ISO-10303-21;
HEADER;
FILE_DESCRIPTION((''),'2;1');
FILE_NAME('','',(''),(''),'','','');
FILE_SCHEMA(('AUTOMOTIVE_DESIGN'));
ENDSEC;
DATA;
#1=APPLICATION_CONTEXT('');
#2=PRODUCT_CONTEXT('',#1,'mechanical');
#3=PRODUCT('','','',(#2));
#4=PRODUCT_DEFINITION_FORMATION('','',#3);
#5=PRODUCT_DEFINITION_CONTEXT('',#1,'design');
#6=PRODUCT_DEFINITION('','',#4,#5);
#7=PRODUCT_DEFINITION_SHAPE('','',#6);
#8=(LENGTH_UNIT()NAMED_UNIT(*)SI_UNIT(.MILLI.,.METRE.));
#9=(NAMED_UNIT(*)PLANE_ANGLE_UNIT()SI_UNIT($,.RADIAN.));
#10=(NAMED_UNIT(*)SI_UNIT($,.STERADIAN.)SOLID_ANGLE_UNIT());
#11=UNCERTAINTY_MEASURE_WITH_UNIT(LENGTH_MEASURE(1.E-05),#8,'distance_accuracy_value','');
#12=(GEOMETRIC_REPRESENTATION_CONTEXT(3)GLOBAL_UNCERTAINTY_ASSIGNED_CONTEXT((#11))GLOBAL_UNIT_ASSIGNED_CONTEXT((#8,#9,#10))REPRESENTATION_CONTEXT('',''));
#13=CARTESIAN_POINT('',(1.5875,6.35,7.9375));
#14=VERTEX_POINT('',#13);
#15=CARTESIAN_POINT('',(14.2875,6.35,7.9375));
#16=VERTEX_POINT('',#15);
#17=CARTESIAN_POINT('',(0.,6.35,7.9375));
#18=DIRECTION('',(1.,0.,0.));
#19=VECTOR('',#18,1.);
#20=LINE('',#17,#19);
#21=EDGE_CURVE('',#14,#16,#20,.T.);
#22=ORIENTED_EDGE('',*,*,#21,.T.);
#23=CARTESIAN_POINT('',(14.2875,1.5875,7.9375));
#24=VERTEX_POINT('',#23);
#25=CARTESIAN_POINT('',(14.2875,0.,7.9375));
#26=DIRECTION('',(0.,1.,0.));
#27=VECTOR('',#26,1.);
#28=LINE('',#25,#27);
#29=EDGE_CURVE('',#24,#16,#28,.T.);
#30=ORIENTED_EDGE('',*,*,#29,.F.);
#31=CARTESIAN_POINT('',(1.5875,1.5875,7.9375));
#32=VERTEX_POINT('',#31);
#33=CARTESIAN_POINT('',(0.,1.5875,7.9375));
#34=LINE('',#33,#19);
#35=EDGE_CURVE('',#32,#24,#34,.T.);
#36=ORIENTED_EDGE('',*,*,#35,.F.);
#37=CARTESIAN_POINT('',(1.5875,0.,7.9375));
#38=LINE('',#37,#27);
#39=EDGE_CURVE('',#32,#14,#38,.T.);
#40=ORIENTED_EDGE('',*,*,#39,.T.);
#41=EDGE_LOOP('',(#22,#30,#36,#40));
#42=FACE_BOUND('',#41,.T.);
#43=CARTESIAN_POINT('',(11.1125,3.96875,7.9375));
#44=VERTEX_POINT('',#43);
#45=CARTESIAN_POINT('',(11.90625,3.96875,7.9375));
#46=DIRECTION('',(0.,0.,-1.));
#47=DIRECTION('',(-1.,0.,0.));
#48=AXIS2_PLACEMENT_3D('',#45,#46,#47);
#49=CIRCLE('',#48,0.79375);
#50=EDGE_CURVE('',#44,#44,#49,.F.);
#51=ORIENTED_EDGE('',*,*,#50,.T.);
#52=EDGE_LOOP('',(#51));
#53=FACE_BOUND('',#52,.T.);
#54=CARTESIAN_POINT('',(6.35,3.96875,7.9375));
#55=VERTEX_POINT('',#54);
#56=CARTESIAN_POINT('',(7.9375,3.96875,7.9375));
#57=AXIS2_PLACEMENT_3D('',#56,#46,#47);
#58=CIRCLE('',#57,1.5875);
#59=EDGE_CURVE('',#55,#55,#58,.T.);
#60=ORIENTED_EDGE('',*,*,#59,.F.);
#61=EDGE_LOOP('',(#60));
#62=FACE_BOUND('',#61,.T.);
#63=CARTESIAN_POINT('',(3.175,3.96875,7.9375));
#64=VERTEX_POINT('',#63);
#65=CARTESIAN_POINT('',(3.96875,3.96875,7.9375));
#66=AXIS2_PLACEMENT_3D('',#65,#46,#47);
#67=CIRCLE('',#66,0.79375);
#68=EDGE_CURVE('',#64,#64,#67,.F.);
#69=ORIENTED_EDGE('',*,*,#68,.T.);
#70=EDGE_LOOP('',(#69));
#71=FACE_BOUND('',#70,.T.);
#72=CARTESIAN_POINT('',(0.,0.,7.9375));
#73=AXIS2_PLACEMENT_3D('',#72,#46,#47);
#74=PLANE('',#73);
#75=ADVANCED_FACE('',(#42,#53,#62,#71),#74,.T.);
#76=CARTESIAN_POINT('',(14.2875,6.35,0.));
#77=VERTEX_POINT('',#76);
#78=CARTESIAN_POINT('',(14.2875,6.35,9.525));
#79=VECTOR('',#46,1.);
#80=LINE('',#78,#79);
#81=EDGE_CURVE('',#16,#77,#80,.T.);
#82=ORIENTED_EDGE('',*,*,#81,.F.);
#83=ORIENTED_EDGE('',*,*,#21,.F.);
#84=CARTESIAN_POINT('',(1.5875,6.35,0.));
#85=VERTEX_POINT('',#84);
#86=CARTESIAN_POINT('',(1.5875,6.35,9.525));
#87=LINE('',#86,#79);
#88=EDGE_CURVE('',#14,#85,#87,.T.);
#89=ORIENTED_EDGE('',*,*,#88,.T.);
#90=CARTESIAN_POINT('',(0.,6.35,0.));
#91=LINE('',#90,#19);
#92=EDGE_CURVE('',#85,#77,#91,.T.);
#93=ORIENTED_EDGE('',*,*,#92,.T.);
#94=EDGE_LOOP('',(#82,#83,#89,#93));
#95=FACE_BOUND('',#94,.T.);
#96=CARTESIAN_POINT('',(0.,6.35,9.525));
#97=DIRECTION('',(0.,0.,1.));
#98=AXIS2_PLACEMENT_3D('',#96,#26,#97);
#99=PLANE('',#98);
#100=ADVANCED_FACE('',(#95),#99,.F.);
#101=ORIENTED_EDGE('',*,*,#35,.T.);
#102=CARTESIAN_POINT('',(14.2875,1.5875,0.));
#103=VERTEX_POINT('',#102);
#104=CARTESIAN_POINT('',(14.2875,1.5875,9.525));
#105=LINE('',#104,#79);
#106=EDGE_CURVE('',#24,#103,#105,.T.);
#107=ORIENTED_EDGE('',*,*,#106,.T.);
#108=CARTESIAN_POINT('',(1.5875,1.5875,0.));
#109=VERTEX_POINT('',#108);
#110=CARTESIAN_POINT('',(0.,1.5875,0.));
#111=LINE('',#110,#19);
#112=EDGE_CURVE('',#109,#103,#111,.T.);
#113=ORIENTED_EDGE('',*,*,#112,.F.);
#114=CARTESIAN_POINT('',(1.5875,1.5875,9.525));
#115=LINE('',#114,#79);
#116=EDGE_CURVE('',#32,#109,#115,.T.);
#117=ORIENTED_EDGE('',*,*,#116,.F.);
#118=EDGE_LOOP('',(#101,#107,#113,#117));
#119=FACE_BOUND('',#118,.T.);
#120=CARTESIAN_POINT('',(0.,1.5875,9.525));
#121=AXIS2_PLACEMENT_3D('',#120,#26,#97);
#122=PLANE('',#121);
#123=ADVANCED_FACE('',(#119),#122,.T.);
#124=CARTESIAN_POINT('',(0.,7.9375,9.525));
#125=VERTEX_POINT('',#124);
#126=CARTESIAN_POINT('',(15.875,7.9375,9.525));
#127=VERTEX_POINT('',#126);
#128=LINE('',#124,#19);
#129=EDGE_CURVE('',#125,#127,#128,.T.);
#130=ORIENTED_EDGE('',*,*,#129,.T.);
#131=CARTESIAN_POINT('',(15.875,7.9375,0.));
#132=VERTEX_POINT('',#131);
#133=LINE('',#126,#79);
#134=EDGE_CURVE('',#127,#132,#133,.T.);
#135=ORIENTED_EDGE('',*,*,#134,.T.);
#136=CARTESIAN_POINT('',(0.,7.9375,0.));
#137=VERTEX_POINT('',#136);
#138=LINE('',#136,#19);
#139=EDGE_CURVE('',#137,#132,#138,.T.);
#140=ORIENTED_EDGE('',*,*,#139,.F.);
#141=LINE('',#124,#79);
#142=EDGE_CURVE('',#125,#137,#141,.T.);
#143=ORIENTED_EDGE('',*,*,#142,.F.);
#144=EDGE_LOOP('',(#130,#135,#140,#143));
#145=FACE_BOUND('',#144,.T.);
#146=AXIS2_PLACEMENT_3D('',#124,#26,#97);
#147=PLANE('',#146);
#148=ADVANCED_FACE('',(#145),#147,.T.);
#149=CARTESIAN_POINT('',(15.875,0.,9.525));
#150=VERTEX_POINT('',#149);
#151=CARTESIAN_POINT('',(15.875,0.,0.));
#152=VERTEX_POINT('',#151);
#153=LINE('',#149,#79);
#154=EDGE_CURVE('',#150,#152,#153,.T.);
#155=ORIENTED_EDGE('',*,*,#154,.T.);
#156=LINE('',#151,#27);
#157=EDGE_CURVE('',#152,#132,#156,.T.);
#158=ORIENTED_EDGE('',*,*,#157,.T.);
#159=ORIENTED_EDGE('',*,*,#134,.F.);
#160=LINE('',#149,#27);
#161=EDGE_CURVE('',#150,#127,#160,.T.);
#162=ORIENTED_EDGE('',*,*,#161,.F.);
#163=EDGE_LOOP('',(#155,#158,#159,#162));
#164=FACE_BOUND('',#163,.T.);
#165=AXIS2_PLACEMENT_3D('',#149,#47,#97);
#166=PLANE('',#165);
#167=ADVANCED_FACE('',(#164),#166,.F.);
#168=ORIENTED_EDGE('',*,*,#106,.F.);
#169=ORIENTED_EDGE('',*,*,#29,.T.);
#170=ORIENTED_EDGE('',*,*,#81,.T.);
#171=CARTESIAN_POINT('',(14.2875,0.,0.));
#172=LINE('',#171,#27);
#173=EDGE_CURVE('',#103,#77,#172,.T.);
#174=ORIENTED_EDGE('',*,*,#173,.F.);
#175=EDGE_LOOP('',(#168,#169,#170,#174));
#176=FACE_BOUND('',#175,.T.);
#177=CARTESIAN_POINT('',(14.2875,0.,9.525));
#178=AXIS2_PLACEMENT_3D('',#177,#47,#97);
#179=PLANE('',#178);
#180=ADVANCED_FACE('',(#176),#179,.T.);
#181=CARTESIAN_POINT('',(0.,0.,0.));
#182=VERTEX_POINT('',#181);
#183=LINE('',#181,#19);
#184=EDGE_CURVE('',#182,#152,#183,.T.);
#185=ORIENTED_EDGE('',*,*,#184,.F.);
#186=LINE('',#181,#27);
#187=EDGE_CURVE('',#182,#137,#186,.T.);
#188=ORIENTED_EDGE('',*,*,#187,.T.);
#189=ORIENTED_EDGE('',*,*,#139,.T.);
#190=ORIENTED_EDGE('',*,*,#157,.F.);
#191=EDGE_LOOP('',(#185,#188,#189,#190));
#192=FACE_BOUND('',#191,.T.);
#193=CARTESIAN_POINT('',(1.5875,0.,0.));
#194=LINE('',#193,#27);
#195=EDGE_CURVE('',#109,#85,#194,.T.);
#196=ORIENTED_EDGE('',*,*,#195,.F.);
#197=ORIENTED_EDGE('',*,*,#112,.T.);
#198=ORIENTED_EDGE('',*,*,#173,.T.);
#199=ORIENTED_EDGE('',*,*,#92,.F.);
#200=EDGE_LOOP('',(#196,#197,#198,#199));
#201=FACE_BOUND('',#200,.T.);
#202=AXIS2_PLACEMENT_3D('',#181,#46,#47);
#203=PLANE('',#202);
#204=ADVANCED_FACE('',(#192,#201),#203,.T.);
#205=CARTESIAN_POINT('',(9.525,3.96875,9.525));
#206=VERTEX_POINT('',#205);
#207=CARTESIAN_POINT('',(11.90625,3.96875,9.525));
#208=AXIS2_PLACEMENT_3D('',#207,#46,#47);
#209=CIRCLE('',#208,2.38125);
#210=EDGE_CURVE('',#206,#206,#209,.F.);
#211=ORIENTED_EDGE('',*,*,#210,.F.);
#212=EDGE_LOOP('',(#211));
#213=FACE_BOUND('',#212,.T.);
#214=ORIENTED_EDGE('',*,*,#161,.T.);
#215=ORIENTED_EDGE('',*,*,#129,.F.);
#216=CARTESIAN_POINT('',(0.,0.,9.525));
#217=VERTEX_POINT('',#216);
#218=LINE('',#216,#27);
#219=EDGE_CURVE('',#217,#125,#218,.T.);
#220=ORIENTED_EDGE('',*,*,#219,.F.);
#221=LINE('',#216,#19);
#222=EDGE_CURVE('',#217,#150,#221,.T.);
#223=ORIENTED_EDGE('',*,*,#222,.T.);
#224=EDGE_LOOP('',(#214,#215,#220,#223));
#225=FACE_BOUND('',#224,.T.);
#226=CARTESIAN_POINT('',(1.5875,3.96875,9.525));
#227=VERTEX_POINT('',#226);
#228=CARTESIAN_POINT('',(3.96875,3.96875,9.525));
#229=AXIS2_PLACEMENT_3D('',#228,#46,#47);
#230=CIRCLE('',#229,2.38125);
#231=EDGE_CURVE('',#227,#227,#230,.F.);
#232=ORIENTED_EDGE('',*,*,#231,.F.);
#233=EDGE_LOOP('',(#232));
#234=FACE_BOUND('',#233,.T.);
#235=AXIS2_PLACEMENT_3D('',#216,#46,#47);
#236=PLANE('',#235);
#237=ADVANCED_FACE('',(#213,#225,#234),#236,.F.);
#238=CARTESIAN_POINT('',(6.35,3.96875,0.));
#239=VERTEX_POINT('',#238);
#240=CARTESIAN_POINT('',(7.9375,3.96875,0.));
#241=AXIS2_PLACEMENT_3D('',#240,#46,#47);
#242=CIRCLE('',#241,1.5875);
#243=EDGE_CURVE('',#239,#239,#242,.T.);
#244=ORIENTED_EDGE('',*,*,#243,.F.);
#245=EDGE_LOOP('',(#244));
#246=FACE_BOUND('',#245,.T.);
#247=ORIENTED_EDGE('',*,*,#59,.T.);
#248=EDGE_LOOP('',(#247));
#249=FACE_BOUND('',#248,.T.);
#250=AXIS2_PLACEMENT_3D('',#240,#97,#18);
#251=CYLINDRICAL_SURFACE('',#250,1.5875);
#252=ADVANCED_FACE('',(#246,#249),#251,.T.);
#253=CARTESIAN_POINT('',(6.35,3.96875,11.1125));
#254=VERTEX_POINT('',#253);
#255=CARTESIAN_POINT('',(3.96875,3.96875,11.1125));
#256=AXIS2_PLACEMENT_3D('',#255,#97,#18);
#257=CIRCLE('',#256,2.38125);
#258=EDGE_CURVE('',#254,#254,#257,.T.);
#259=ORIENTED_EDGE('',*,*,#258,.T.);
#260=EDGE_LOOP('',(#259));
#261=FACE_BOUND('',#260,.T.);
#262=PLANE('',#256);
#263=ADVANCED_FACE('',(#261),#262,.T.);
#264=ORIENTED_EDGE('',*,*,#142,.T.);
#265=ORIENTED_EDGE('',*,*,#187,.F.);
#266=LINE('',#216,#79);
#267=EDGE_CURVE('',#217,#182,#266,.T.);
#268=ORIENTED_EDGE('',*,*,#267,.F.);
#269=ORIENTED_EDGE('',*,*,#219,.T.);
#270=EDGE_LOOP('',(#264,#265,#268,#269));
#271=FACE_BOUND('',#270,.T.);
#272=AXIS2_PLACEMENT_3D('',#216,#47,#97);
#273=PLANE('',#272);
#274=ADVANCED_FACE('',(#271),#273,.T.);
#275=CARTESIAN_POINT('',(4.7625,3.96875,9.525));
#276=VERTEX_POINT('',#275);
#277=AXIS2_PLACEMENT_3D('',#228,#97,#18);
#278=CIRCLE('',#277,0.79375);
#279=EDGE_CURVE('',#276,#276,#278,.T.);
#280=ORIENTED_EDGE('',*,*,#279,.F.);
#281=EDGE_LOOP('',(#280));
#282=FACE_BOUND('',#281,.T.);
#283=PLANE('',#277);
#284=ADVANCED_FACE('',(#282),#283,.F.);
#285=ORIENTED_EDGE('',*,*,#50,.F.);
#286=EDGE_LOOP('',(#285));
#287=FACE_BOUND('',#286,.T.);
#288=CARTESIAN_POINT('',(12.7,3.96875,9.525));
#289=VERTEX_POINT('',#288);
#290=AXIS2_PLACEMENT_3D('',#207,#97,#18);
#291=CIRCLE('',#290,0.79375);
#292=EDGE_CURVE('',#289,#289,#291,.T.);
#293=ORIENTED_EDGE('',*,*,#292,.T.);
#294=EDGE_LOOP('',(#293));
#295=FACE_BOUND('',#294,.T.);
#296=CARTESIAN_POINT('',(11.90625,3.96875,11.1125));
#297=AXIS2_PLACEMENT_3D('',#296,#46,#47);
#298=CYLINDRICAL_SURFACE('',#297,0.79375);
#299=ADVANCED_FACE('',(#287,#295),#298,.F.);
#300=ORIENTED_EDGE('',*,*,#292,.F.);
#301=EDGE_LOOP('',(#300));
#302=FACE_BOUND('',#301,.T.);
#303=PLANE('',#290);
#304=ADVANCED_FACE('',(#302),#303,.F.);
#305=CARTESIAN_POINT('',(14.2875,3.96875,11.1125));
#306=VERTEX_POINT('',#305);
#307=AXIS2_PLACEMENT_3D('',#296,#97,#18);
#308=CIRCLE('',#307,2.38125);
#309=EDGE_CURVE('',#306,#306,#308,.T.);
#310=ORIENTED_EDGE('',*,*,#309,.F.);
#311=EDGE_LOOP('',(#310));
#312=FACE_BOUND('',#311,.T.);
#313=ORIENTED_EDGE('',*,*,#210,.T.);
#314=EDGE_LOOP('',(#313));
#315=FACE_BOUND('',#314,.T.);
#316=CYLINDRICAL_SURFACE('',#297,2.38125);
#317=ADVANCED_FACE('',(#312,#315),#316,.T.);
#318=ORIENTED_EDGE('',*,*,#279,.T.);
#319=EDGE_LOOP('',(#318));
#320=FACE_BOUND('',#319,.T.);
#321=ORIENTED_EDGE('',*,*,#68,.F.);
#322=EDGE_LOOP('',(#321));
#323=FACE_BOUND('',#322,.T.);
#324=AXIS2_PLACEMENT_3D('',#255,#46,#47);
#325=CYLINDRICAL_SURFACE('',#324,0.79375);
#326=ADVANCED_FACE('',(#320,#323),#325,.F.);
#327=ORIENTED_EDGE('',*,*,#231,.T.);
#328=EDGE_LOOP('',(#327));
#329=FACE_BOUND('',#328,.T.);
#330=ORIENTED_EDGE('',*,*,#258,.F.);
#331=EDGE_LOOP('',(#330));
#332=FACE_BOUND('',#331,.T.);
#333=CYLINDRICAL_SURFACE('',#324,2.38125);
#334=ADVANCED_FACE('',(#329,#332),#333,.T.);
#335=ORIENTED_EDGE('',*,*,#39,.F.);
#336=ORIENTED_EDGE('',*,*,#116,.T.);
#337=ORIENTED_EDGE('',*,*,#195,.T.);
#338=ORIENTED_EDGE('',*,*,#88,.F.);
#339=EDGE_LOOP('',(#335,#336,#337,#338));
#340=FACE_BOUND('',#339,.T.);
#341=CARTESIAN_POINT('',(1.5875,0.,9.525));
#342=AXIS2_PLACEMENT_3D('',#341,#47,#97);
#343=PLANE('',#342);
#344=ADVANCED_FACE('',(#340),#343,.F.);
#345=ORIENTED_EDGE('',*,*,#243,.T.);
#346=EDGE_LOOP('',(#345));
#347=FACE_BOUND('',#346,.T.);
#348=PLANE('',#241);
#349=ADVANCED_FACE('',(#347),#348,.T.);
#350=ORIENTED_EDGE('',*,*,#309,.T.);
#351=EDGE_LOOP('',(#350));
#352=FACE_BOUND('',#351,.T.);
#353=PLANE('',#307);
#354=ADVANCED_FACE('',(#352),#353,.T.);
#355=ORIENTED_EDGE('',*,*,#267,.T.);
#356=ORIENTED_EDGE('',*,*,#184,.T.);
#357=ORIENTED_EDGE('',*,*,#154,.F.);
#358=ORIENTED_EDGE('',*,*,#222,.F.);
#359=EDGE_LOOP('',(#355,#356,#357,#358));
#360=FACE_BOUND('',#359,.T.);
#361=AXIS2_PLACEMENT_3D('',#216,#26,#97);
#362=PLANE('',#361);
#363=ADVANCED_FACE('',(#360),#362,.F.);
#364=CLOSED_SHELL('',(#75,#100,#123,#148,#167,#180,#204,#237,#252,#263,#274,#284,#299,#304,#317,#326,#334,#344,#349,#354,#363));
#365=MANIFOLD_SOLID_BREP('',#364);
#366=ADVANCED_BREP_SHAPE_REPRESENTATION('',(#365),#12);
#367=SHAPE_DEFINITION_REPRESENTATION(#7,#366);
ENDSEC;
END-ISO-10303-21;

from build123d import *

# Parameters (mm, degrees)
SKETCH1_W           = 15.875
SKETCH1_H           = 7.9375
BOSS_EXTRUDE1_DEPTH = 9.525
SKETCH2_R           = 2.38125
BOSS_EXTRUDE2_DEPTH = 1.5875
LPATTERN1_COUNT     = 2
LPATTERN1_PITCH     = 7.9375
SHELL3_T            = -1.5875
SKETCH3_R           = 1.5875
BOSS_EXTRUDE3_DEPTH = 7.9375


with BuildPart() as part:
    # Sketch1 → Boss-Extrude1 (new body)
    with BuildSketch(Plane.XY):
        with Locations((7.9375, 3.96875)):
            Rectangle(SKETCH1_W, SKETCH1_H)
    extrude(amount=BOSS_EXTRUDE1_DEPTH)

    # Sketch2 → Boss-Extrude2 (add)
    with BuildSketch(Plane.XY.offset(9.525)):
        with Locations((3.96875, 3.96875)):
            Circle(SKETCH2_R)
    boss_extrude2 = extrude(amount=BOSS_EXTRUDE2_DEPTH)

    # LPattern1: Boss-Extrude2 ×2
    with Locations(*[(i * LPATTERN1_PITCH, 0, 0) for i in range(1, LPATTERN1_COUNT)]):
        add(boss_extrude2)

    # Shell3
    shell3_openings = [part.faces().sort_by_distance(p)[0] for p in [
        (7.9375, 3.96875, 0),
    ]]
    offset(amount=SHELL3_T, openings=shell3_openings, kind=Kind.INTERSECTION)

    # Sketch3 → Boss-Extrude3 (add)
    with BuildSketch(Plane(origin=(0, 0, 7.9375), x_dir=(-1, 0, 0), z_dir=(0, 0, -1))):
        with Locations((-7.9375, 3.96875)):
            Circle(SKETCH3_R)
    extrude(amount=BOSS_EXTRUDE3_DEPTH)


solid = part.part
